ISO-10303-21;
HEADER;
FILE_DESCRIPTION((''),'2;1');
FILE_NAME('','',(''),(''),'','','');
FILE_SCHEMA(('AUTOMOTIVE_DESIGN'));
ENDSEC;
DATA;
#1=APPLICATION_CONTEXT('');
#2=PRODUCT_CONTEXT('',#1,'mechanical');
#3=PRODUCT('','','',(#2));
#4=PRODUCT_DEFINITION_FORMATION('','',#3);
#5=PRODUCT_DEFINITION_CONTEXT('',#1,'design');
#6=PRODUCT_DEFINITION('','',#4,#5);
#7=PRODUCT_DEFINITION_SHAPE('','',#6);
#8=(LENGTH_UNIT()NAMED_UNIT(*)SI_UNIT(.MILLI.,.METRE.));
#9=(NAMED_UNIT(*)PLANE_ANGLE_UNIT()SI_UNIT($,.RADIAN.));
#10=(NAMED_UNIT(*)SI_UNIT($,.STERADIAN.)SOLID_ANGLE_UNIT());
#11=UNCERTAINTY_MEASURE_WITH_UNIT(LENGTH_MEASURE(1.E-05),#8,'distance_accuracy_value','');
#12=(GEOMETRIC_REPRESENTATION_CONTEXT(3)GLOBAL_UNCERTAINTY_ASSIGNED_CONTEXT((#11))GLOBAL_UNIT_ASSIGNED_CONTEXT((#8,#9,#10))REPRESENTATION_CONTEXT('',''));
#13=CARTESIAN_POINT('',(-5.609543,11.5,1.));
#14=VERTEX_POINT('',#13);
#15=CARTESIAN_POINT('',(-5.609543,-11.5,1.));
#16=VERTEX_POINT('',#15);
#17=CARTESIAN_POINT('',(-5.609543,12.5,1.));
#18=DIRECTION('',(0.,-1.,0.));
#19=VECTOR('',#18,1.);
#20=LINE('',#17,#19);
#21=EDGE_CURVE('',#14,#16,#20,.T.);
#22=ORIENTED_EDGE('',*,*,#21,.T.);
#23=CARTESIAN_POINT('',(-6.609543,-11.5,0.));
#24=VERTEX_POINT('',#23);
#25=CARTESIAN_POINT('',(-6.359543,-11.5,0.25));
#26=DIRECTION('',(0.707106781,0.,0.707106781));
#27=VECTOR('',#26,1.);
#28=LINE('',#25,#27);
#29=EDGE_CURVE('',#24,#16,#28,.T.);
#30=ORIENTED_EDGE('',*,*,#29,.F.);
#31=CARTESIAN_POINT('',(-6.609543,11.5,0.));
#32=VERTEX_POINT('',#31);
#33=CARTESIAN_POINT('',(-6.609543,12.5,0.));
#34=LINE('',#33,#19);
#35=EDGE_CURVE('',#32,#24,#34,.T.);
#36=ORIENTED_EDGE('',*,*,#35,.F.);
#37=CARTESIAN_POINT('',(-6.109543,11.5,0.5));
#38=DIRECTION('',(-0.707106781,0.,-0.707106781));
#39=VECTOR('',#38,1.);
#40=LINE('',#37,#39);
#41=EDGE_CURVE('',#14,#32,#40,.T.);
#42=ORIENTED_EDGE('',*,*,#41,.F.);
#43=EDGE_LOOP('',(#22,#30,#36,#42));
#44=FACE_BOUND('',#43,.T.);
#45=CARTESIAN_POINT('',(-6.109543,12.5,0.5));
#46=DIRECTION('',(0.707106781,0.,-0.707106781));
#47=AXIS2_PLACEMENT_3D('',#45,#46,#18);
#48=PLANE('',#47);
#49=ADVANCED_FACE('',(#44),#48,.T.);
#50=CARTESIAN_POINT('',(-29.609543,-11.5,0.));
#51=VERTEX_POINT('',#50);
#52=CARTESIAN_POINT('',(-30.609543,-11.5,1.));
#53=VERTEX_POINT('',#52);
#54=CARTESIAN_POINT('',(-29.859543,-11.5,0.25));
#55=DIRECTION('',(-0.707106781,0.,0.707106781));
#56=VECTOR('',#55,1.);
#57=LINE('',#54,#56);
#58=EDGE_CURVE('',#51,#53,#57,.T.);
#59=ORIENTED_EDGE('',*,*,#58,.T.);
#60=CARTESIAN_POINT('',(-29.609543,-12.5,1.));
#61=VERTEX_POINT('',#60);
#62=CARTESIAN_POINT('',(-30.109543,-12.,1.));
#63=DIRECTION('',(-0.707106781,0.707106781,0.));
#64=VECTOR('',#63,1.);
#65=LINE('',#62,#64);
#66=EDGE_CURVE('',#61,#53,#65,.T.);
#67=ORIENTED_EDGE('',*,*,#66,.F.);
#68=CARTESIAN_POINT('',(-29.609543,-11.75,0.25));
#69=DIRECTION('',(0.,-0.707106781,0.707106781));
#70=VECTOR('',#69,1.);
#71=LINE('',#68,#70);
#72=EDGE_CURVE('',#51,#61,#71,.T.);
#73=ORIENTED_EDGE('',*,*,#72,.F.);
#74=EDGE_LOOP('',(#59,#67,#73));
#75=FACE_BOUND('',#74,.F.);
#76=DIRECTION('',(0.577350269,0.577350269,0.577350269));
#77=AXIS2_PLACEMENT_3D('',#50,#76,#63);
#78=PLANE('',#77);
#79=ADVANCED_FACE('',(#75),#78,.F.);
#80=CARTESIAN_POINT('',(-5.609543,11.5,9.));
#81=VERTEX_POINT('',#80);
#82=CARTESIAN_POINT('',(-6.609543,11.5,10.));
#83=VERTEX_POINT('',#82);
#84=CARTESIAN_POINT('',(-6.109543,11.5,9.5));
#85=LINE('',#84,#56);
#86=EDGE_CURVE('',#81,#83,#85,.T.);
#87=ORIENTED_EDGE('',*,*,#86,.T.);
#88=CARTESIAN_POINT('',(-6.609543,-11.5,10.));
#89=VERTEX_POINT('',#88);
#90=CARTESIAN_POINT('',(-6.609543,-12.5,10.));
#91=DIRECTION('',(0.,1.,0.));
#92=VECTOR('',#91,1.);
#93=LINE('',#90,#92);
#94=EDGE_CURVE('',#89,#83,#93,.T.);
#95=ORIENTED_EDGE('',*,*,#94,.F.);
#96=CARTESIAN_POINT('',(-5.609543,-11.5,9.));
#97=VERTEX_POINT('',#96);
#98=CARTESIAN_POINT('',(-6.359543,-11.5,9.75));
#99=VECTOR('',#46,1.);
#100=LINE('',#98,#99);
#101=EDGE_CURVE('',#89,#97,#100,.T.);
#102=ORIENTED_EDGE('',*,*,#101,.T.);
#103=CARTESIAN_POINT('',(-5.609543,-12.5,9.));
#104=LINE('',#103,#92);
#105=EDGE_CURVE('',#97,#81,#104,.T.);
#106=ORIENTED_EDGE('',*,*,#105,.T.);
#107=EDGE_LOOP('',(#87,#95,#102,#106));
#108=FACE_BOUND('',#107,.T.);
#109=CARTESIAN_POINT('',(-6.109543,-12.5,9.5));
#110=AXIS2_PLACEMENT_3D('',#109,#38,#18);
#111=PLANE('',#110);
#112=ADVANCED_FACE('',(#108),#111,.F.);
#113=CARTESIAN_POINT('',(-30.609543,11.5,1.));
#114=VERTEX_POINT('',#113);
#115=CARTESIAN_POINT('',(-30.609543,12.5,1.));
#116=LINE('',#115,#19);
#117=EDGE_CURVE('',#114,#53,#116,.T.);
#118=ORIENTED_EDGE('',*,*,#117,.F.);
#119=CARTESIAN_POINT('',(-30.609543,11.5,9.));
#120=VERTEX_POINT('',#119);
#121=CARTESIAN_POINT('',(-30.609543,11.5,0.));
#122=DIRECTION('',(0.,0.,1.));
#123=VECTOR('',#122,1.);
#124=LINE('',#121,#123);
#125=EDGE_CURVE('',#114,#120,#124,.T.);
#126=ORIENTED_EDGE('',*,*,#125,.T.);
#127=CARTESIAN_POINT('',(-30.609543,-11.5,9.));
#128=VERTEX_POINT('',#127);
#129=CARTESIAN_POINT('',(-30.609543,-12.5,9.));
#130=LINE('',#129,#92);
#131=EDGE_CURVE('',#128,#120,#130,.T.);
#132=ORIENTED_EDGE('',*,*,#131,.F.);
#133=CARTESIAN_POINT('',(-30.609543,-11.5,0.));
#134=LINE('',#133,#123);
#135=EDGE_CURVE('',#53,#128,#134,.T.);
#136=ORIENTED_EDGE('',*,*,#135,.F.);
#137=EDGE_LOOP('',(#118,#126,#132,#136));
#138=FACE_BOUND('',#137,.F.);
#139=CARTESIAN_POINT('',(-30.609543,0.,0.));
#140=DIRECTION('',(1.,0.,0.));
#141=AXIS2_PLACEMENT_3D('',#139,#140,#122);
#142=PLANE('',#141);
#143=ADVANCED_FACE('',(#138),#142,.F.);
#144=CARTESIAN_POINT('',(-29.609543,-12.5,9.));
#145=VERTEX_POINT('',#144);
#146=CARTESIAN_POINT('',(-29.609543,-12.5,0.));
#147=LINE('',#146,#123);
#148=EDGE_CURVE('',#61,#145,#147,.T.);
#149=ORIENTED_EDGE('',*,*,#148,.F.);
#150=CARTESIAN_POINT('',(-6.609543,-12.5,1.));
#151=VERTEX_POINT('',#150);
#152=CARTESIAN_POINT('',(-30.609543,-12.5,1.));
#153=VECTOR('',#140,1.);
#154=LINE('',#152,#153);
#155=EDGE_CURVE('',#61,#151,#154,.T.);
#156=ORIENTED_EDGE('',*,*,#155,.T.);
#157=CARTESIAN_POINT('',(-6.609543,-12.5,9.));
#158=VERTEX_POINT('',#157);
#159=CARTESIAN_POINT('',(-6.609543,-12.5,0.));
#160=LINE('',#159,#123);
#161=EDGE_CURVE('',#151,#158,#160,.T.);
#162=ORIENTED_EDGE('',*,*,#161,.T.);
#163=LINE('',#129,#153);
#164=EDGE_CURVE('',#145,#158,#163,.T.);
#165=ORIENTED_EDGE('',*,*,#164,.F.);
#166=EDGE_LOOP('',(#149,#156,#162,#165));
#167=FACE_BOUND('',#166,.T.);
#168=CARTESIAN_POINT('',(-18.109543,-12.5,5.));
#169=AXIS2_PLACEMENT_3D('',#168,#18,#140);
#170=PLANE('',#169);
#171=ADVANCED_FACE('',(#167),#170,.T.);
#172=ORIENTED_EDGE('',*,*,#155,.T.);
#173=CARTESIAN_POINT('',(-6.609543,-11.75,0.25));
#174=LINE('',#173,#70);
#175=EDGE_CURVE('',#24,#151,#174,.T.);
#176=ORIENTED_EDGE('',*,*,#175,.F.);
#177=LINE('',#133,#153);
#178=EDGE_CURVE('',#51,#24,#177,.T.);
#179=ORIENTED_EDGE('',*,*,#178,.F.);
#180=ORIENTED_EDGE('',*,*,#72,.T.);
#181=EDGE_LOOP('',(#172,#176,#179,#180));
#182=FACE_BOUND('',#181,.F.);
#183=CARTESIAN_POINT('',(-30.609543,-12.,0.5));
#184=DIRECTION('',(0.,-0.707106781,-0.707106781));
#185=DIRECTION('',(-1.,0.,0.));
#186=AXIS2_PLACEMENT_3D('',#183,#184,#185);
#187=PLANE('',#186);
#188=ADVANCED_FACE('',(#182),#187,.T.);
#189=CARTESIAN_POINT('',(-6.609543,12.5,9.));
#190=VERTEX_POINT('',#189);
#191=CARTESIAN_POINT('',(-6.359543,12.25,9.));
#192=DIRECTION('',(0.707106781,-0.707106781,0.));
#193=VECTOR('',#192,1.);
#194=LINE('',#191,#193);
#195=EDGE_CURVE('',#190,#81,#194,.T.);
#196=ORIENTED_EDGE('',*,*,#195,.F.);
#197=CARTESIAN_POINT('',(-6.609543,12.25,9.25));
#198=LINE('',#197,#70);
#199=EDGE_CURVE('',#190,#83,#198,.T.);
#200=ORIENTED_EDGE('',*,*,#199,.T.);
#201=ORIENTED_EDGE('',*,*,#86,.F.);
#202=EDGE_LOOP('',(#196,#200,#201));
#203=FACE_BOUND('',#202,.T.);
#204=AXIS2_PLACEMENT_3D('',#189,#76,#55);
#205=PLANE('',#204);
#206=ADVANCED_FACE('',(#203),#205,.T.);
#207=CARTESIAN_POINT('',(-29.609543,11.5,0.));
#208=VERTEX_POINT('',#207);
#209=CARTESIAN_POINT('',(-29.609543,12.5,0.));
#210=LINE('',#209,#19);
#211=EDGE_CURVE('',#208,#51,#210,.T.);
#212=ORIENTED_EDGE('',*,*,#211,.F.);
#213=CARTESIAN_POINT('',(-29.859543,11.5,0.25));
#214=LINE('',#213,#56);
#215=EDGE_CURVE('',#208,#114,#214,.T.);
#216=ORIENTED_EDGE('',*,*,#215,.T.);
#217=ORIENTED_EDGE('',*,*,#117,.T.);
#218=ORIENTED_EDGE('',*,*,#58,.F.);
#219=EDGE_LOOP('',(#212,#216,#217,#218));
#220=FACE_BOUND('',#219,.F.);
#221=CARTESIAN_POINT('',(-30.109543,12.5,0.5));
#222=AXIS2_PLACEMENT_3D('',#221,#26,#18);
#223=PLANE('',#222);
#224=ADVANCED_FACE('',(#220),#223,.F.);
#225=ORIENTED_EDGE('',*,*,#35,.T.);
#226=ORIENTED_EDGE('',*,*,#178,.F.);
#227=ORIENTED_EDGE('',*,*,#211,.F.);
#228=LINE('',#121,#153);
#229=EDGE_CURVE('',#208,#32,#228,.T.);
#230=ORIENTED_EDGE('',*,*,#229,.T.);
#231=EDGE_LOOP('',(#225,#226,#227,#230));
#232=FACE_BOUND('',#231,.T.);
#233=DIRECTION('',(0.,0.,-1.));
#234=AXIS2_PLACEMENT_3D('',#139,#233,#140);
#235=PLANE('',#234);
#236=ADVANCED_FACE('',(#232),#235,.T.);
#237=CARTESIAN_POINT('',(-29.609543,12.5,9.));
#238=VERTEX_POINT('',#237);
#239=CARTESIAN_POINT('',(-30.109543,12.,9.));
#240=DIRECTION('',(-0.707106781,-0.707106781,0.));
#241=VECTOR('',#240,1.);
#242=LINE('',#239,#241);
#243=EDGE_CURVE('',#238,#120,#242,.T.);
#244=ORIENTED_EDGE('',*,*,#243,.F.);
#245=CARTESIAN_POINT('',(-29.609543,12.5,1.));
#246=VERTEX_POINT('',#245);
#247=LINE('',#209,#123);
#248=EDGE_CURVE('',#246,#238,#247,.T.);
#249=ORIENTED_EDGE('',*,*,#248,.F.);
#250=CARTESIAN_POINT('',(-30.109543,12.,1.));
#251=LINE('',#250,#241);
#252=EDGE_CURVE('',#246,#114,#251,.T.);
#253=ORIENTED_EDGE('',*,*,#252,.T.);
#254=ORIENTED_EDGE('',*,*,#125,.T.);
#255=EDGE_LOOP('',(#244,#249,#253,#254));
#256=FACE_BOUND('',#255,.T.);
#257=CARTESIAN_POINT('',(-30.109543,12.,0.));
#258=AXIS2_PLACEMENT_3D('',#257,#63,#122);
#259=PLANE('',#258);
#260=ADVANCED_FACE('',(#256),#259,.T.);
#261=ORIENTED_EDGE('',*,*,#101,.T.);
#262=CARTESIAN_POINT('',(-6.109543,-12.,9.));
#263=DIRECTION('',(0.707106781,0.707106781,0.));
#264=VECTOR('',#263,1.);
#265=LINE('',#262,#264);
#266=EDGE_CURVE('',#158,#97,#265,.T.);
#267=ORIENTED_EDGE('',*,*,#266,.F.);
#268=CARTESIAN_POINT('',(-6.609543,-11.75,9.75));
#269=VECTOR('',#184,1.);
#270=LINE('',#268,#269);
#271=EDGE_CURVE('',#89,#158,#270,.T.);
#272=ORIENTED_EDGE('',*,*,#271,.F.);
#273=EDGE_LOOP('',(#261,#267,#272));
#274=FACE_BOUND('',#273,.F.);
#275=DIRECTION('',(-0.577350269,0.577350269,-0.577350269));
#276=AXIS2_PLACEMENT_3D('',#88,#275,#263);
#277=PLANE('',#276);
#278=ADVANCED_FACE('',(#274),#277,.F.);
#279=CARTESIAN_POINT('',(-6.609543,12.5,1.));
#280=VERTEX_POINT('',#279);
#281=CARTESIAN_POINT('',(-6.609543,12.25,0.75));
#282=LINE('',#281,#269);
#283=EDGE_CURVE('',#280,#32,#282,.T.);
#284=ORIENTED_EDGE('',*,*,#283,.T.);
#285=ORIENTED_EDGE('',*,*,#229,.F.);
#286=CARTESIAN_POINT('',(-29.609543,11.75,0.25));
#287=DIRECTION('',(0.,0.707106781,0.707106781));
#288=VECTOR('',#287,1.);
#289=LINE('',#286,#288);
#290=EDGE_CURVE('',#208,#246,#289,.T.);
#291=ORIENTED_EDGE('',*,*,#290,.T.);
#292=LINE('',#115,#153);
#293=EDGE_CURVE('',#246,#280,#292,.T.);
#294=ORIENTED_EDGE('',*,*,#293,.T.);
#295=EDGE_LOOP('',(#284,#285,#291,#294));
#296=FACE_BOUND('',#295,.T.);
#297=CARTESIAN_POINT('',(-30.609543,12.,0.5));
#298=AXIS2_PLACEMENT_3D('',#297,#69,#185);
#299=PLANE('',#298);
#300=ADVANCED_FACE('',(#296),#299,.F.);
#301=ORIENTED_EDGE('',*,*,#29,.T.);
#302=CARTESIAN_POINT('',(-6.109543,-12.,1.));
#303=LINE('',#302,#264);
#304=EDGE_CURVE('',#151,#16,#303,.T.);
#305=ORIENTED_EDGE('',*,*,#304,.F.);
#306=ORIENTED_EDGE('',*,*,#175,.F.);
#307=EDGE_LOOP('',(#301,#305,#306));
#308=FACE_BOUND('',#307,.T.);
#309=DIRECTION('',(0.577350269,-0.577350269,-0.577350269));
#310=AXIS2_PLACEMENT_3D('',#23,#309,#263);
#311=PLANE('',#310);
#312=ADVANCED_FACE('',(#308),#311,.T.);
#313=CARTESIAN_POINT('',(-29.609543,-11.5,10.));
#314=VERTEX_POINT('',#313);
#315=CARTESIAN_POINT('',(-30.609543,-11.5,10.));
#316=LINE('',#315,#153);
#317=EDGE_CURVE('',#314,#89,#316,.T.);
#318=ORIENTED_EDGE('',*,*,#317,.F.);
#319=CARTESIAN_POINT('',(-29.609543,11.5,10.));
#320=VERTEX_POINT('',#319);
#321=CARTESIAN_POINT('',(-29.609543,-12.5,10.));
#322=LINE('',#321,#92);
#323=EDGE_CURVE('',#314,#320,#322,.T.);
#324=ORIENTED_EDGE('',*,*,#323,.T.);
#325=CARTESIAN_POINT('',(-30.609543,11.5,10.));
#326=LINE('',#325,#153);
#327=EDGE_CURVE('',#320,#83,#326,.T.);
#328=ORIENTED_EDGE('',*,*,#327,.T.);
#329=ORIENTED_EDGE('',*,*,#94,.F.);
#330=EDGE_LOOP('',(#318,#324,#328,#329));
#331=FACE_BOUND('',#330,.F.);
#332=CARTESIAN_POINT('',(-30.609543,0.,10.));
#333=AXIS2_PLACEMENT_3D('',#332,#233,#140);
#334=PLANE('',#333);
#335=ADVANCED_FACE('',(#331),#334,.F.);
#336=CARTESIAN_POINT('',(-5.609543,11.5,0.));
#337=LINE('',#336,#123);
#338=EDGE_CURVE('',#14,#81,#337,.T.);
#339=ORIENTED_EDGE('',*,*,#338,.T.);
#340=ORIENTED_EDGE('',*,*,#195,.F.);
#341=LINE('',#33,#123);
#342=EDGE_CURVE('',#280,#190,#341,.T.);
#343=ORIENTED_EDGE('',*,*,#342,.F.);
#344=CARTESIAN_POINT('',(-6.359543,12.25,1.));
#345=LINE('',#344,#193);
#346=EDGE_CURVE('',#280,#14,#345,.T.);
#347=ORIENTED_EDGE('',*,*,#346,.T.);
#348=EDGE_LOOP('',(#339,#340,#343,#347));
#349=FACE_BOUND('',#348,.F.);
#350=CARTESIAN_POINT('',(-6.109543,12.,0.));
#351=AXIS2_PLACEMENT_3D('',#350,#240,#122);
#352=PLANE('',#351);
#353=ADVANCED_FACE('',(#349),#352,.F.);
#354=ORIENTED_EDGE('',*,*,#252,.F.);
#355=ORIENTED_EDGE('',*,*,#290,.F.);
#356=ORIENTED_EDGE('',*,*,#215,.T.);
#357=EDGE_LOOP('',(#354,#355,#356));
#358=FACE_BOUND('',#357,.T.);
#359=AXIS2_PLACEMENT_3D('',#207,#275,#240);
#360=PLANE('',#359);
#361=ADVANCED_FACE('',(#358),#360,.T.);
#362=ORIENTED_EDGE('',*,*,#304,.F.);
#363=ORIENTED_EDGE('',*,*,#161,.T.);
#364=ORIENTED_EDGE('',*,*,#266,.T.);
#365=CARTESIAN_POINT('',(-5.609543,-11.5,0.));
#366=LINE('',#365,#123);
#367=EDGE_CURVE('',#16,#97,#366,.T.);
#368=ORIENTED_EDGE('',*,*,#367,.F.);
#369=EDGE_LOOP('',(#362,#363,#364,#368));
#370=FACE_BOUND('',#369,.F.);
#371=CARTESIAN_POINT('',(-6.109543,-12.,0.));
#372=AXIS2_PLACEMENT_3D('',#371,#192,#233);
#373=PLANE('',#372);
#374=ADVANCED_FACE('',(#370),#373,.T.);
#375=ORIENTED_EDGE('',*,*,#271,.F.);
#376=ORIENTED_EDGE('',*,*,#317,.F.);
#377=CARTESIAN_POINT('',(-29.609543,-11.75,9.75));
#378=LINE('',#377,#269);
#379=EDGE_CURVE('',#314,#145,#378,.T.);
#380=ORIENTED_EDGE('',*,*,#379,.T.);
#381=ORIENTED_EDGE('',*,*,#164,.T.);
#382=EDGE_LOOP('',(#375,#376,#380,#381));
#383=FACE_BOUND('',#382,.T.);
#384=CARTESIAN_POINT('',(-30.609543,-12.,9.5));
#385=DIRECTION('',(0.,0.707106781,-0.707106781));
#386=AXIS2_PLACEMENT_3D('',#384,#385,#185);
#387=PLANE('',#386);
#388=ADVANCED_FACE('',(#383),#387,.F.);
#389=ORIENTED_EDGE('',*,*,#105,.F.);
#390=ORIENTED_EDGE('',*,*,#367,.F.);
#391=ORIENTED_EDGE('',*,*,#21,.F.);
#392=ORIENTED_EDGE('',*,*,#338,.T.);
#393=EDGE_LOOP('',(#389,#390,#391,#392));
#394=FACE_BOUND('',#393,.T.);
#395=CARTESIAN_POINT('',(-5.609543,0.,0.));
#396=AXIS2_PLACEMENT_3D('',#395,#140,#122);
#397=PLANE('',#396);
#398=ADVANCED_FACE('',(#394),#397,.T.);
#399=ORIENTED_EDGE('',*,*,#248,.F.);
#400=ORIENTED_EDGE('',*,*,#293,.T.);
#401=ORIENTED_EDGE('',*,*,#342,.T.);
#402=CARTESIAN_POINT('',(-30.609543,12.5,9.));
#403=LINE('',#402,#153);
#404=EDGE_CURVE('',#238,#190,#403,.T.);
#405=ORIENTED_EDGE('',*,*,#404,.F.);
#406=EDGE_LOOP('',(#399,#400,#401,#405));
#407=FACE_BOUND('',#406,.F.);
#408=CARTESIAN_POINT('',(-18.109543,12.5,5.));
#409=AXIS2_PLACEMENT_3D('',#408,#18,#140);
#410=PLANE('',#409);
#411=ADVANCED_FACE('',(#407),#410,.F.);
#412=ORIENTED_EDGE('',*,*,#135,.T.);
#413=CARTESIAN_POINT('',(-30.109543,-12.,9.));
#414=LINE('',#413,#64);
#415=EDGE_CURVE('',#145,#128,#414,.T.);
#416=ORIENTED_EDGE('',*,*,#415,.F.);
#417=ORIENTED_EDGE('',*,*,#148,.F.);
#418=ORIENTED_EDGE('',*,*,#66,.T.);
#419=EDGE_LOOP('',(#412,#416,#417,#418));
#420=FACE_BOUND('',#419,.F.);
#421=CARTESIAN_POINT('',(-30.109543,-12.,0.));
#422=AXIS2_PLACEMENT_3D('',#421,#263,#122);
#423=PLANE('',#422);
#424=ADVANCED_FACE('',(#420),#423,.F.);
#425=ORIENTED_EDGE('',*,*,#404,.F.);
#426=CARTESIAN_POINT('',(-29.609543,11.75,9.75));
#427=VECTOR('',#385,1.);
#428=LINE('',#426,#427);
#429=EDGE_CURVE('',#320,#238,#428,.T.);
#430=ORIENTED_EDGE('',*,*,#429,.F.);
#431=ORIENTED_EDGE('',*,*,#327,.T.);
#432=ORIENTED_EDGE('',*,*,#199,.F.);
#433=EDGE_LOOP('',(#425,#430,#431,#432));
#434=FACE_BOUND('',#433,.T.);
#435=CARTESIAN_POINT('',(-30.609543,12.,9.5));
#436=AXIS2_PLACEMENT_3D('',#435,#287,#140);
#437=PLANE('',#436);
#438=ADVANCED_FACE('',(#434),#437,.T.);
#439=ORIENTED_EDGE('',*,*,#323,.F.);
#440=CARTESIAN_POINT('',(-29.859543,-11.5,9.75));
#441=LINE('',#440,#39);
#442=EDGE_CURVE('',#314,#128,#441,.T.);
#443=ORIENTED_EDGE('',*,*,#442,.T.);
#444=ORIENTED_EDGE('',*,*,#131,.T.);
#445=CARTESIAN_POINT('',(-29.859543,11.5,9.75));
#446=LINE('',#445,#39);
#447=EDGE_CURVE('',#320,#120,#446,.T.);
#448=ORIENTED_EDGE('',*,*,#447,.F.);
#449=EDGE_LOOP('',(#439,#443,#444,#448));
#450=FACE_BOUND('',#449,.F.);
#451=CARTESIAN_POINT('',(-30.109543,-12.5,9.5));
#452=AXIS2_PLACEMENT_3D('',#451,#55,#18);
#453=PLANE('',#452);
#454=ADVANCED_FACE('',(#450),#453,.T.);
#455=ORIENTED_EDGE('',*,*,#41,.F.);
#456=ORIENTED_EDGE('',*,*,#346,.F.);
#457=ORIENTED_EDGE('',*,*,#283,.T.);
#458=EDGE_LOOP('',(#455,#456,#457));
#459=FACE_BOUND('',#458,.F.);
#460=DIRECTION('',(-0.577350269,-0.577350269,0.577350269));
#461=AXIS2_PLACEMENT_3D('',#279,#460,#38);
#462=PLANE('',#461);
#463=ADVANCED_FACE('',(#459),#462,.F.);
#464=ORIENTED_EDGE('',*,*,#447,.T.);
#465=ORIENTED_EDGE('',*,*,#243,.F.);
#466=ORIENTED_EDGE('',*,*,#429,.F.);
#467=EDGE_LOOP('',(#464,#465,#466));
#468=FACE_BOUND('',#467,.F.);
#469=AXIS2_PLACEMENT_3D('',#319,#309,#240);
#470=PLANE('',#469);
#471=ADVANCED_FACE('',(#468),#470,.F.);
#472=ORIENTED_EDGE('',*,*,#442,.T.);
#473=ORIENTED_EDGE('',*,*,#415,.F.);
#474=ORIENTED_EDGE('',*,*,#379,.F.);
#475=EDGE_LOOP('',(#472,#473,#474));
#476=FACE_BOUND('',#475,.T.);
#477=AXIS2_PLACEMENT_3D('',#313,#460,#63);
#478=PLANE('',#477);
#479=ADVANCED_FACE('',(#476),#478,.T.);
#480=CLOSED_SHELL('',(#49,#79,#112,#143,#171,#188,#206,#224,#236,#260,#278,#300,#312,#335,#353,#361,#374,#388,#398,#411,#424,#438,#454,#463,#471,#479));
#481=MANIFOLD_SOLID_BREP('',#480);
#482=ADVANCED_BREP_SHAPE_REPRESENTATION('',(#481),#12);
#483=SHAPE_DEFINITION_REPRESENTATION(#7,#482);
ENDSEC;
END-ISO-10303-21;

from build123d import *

# Parameters (mm, degrees)
F0_W     = 25
F0_H     = 10
F1_DEPTH = 12.5
F2_SIZE  = 1


with BuildPart() as f1:
    # F0 (on Front) → F1 (new body, symmetric)
    with BuildSketch(Plane.XZ):
        with Locations((-18.109543, 5)):
            Rectangle(F0_W, F0_H)
    extrude(amount=F1_DEPTH, both=True)

    # F2
    f2_edges = [f1.edges().sort_by_distance(p)[0] for p in [
        (-30.609543, -12.5, 5),
        (-5.609543, -12.5, 5),
        (-18.109543, -12.5, 10),
        (-18.109543, -12.5, 0),
        (-5.609543, 0, 0),
        (-5.609543, 0, 10),
        (-5.609543, 12.5, 5),
        (-30.609543, 12.5, 5),
        (-18.109543, 12.5, 10),
        (-18.109543, 12.5, 0),
        (-30.609543, 0, 10),
        (-30.609543, 0, 0),
    ]]
    chamfer(f2_edges, length=F2_SIZE)


solid = f1.part
